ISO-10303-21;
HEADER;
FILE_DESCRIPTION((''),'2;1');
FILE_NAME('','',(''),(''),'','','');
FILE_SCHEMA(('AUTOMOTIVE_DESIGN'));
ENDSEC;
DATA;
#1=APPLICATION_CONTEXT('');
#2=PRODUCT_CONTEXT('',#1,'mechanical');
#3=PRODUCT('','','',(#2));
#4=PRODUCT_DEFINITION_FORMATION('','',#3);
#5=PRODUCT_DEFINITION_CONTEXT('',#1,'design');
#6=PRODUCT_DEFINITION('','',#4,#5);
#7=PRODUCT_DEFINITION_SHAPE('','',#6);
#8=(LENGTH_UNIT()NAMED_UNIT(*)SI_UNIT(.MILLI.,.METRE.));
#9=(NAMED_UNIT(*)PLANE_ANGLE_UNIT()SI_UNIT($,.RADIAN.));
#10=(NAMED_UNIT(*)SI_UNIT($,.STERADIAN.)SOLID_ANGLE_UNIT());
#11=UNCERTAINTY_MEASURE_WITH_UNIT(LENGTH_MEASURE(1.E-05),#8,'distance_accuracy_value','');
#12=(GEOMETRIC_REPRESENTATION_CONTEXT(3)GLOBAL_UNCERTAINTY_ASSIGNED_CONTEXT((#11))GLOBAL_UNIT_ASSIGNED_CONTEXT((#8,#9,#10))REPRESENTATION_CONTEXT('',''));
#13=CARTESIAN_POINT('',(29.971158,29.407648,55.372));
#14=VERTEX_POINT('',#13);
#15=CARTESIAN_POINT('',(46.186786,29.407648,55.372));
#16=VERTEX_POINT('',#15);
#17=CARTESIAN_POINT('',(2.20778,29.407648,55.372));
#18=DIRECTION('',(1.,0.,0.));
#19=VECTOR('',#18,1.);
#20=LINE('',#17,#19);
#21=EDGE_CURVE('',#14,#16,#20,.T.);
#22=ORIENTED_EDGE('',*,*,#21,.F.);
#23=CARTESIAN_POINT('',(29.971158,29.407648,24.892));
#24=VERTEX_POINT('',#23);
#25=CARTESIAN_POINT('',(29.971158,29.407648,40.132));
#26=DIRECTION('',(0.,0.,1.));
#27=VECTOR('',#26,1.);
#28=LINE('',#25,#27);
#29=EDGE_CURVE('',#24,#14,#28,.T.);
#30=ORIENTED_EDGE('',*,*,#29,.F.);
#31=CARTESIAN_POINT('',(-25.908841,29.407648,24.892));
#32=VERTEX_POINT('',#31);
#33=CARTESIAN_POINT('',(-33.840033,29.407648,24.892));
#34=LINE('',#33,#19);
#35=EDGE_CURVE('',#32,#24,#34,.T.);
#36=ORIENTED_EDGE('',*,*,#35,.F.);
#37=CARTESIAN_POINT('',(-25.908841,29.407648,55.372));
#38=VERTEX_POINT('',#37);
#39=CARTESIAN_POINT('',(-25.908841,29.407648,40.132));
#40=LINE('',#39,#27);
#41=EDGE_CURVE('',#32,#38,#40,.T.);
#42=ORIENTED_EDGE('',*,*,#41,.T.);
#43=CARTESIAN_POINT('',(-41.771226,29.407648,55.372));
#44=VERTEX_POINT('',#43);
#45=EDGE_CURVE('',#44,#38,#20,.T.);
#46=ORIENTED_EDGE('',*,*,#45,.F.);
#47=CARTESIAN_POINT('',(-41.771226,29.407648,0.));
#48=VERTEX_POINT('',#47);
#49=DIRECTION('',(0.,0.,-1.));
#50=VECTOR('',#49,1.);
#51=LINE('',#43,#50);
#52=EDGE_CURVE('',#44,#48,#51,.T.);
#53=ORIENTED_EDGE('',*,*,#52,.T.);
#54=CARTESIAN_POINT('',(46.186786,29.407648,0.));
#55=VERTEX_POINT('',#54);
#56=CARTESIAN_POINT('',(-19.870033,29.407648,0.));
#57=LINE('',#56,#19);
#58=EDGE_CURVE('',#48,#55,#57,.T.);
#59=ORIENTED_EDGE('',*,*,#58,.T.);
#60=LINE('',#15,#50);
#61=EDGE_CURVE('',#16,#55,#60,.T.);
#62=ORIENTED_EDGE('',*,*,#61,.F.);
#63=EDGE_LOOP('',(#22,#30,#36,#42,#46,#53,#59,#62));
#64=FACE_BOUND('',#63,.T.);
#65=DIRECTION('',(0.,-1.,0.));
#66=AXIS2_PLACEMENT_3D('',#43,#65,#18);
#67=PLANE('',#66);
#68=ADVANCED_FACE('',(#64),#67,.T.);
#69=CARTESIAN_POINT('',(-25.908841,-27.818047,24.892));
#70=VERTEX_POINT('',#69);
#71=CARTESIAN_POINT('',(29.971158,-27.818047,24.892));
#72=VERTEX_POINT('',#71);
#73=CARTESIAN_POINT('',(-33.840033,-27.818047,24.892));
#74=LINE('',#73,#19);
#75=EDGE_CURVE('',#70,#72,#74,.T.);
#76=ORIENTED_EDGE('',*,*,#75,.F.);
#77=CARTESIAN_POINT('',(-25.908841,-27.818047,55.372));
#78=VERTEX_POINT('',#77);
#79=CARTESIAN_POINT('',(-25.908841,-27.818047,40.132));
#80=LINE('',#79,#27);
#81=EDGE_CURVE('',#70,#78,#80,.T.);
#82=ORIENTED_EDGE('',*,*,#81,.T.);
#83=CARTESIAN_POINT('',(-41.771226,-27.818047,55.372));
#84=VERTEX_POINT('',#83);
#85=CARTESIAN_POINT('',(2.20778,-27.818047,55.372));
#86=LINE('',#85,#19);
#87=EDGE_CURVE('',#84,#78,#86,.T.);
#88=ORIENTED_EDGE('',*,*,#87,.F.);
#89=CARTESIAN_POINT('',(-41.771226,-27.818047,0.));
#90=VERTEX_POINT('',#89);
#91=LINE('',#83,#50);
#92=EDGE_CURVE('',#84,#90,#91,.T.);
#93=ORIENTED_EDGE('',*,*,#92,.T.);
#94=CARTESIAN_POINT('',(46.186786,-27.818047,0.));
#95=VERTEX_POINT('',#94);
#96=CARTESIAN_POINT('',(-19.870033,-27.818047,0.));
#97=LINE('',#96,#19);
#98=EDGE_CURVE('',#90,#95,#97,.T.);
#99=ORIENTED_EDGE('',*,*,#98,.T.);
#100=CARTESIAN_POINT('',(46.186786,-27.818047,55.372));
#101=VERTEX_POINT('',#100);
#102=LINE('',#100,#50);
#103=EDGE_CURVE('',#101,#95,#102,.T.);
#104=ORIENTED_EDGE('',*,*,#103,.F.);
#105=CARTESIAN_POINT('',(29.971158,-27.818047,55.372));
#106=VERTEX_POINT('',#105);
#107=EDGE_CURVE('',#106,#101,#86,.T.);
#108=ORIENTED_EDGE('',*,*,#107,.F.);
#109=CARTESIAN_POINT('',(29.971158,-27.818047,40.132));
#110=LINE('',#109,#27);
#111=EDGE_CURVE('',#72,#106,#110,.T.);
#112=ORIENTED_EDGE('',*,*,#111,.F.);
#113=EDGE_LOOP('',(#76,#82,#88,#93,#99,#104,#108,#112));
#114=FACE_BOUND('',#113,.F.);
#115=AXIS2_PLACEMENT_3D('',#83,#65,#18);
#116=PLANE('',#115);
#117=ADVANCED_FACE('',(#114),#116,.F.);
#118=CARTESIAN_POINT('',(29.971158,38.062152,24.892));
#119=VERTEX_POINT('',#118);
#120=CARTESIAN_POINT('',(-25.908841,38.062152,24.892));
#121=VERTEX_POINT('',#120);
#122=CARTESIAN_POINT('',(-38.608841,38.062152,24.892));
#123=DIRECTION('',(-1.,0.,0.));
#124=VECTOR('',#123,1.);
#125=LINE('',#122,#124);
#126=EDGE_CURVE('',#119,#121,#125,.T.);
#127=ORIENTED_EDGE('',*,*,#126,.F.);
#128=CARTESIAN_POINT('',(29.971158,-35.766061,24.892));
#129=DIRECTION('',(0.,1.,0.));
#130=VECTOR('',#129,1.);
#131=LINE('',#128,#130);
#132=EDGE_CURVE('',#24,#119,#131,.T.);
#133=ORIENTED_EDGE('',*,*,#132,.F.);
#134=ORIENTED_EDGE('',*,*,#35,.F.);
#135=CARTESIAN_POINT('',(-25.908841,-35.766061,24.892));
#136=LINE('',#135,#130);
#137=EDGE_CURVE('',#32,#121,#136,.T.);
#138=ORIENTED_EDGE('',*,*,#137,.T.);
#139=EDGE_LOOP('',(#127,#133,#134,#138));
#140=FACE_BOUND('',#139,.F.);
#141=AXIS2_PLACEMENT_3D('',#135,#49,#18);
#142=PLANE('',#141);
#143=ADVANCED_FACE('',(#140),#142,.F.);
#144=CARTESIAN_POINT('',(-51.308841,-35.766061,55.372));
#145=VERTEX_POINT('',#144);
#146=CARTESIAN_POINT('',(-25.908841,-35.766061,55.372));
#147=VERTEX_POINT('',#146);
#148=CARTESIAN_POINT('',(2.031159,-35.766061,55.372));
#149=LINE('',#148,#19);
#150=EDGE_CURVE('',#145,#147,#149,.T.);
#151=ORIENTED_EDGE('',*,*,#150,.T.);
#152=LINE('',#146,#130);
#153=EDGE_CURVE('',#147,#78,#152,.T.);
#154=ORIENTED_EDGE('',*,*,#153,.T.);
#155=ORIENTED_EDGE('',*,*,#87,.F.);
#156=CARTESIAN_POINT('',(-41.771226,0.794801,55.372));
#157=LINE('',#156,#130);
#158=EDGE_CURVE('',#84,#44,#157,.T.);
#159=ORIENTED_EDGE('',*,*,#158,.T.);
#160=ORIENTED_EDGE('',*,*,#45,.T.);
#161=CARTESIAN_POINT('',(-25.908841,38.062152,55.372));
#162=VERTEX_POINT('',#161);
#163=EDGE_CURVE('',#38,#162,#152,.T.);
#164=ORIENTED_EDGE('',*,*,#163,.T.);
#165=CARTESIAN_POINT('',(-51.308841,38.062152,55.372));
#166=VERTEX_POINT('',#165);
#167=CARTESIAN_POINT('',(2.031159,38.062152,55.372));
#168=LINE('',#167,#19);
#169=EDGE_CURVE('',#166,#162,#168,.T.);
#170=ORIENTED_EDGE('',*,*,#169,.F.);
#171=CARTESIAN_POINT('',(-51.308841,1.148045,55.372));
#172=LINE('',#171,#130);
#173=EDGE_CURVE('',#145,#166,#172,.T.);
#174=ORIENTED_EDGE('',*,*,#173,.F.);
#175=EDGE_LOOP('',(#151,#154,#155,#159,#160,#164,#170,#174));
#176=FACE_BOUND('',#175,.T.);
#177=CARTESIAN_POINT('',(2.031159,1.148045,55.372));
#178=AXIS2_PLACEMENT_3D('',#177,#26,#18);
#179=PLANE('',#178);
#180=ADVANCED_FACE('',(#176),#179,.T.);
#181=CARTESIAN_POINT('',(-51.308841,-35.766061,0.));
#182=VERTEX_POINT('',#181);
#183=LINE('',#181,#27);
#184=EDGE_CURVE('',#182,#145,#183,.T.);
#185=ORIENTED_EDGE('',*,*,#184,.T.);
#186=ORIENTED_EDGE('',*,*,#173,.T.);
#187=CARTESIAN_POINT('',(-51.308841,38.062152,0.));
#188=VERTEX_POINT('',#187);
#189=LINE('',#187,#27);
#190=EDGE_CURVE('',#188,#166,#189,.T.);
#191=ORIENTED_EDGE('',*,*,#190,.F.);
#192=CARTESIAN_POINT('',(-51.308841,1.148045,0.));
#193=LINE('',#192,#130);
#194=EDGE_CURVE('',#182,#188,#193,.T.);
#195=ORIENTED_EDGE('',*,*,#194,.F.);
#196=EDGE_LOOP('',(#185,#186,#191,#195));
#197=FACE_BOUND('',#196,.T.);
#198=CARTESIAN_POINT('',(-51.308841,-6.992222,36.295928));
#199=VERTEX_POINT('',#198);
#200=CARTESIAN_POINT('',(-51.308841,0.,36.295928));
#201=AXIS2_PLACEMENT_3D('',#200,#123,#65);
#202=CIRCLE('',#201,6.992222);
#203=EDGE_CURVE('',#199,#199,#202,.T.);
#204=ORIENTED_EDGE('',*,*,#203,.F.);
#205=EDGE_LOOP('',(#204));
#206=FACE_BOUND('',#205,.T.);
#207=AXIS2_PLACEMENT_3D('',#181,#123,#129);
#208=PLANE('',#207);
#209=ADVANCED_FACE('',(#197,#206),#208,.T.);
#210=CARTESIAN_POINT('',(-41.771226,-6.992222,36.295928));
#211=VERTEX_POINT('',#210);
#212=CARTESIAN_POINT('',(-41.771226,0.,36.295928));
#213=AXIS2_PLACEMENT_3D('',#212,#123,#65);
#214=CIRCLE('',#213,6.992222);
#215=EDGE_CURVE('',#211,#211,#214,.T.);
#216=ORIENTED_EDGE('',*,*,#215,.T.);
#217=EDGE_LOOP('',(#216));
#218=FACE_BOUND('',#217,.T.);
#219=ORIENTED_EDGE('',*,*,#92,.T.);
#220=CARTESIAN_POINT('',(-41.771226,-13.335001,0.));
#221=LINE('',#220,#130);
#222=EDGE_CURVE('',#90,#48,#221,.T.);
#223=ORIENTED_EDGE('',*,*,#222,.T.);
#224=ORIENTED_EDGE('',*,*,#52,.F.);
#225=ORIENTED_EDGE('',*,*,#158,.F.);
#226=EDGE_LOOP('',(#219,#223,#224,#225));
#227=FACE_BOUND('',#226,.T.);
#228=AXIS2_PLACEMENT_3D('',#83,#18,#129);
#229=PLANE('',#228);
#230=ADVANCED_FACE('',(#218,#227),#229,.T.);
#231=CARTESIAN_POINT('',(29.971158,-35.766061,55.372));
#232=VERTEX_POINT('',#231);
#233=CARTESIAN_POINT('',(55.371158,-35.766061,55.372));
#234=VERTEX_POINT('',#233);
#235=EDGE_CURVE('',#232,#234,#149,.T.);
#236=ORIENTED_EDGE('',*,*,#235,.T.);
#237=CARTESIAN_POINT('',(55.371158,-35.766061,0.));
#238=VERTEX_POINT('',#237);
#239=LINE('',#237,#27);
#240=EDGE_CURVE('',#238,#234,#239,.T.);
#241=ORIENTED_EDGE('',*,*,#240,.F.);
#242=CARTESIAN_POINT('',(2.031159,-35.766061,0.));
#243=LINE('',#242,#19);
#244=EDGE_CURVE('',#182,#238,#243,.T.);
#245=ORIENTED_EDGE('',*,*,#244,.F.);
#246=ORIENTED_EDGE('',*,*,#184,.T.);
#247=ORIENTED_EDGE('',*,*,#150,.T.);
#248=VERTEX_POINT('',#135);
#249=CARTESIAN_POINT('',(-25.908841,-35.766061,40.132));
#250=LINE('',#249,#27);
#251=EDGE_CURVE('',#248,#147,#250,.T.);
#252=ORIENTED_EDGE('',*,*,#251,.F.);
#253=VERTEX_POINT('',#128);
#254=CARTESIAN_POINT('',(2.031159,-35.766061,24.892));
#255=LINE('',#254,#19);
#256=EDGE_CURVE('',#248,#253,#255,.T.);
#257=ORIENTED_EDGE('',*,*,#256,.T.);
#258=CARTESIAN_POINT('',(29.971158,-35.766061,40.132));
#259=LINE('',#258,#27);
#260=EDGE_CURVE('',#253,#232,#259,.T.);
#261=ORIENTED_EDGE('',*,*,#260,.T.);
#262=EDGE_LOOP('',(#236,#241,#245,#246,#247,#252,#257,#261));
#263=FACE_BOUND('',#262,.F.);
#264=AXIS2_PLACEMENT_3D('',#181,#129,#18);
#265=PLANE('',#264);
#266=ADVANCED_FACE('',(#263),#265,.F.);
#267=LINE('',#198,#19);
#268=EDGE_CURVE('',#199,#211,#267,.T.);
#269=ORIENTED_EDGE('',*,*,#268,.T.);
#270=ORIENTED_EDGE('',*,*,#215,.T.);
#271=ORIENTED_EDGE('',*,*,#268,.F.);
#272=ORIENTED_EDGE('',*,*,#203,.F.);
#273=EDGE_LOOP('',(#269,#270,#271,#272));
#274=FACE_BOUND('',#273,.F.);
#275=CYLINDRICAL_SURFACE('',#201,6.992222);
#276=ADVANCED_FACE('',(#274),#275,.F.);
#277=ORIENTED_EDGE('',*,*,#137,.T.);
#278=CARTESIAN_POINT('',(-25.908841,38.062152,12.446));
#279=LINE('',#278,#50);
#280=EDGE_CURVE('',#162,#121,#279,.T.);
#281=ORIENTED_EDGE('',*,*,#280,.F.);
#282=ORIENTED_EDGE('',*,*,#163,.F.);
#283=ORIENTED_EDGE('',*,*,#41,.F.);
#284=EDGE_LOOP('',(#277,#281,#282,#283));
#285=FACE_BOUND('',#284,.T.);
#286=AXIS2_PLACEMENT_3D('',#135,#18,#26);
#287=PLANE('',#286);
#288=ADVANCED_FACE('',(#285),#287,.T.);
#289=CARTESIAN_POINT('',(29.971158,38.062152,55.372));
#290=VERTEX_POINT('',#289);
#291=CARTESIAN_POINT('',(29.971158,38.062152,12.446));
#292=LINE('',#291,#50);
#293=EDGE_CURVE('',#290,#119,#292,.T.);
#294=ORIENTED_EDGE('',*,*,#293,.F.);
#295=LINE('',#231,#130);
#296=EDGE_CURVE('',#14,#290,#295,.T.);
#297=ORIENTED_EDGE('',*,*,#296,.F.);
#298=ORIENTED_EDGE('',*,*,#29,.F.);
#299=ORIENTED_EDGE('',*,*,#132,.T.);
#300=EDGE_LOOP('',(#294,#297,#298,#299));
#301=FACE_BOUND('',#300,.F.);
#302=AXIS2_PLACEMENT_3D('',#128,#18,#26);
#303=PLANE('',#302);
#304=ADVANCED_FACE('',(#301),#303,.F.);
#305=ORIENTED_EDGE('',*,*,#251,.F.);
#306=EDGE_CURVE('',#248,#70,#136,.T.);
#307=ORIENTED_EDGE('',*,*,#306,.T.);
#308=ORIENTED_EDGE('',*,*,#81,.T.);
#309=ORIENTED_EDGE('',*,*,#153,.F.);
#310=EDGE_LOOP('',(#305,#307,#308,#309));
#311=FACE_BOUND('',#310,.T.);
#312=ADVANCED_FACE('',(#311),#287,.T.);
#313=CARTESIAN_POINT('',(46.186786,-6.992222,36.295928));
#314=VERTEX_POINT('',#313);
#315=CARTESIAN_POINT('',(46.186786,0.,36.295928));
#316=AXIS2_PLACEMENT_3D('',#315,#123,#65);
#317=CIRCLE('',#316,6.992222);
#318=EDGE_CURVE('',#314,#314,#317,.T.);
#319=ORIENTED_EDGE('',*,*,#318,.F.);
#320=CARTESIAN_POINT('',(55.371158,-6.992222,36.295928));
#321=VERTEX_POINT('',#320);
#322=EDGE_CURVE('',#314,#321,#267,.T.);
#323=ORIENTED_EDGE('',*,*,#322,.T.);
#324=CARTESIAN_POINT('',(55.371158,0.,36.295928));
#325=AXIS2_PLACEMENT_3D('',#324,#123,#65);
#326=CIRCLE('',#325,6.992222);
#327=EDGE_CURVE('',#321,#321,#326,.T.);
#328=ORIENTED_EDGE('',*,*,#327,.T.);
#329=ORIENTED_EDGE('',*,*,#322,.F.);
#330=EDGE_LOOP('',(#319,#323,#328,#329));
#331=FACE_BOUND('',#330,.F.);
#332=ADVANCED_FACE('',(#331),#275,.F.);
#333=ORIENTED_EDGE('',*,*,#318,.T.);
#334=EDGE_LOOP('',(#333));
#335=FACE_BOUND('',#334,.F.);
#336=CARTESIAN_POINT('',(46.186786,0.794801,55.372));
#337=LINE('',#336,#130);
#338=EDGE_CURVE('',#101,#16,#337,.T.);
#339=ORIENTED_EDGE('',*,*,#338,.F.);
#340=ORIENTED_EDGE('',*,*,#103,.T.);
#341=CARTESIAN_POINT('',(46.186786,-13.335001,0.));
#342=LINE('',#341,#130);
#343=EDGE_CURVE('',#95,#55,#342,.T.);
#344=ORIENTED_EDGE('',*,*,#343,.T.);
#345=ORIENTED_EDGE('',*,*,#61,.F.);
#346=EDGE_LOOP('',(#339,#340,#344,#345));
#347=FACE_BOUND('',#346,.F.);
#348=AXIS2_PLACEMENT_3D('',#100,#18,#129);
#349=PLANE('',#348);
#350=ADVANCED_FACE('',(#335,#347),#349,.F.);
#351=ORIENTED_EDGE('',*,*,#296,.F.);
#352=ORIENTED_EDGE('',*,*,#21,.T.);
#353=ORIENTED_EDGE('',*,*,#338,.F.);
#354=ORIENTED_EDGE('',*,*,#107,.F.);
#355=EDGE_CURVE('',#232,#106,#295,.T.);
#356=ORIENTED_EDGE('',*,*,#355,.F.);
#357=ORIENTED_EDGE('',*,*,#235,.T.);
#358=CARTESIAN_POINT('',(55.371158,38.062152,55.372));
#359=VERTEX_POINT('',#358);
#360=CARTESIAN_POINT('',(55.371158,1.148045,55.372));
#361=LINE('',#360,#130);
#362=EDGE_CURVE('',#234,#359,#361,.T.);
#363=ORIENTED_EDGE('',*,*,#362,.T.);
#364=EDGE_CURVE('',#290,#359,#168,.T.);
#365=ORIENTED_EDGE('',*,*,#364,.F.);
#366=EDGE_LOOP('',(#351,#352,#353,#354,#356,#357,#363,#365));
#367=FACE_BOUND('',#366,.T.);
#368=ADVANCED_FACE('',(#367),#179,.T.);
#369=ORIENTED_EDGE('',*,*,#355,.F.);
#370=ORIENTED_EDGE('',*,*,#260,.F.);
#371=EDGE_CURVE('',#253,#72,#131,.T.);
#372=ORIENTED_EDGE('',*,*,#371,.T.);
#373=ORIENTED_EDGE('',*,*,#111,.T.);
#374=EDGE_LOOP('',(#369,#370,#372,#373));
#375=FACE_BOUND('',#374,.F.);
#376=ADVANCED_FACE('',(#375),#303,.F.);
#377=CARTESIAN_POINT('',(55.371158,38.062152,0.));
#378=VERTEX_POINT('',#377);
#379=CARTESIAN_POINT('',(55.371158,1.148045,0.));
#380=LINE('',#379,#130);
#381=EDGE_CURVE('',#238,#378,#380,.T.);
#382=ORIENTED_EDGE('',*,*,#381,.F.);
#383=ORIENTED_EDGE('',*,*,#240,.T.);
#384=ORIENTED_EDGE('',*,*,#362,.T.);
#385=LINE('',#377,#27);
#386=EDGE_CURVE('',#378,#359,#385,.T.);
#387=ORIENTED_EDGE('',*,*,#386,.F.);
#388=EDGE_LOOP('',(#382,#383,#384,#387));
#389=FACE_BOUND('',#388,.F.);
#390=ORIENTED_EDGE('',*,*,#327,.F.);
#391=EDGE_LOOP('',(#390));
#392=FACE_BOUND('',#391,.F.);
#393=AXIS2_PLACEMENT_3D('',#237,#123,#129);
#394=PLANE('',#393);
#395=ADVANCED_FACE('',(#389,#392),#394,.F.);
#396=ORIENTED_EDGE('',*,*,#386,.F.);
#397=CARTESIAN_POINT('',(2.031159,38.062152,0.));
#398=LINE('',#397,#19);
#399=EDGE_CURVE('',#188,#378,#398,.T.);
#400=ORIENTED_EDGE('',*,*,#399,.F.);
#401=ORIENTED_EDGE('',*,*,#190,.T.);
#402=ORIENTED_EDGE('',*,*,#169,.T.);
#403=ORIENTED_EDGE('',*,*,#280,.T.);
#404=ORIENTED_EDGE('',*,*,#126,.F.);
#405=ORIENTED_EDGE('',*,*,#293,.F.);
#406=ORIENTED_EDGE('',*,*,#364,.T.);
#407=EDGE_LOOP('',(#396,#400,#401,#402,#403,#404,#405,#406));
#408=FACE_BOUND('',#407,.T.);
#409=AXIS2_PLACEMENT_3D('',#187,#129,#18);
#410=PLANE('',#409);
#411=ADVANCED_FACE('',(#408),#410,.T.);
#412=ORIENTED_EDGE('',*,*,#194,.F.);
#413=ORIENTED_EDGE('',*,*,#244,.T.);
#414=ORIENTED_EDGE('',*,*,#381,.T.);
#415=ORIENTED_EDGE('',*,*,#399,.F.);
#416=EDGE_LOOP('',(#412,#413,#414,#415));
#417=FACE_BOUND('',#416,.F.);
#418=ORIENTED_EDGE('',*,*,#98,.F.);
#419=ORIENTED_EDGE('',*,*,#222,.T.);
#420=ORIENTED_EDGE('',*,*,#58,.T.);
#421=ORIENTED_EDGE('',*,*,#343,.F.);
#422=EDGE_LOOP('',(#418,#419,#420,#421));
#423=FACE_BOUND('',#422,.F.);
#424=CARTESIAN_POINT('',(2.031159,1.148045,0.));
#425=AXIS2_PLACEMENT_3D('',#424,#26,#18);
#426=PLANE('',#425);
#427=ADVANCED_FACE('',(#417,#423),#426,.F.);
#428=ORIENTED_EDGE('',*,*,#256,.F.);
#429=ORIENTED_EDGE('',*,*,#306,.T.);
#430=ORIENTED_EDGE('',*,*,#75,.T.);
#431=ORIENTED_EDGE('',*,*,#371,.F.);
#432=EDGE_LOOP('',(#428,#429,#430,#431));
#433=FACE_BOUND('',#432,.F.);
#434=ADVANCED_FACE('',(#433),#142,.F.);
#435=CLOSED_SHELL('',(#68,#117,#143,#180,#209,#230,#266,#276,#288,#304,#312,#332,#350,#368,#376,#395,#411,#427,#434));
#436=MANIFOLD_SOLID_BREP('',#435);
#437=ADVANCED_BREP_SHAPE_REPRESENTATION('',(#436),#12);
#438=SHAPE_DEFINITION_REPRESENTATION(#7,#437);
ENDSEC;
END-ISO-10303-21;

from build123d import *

# Parameters (mm, degrees)
F0_W     = 106.6799983382
F0_H     = 73.8282129169
F1_DEPTH = 55.372
F2_W     = 87.9580117762
F2_H     = 57.2256948799
F3_DEPTH = 57.15
F4_W     = 55.8799983382
F4_H     = 30.48
F5_DEPTH = 75.438
F6_R     = 6.9922217865
F7_DEPTH = 111.252


with BuildPart() as f1:
    # F0 (on Top) → F1 (new body)
    with BuildSketch(Plane.XY):
        with Locations((2.0311586559, 1.148045063)):
            Rectangle(F0_W, F0_H)
    extrude(amount=F1_DEPTH)

    # F2 (on face) → F3 (cut)
    with BuildSketch(Plane.XY.offset(55.372)):
        with Locations((2.2077802569, 0.7948009297)):
            Rectangle(F2_W, F2_H)
    extrude(amount=-F3_DEPTH, mode=Mode.SUBTRACT)

    # F4 (on face) → F5 (cut)
    with BuildSketch(Plane.XZ.offset(35.7660613954)):
        with Locations((2.0311586559, 40.132)):
            Rectangle(F4_W, F4_H)
    extrude(amount=-F5_DEPTH, mode=Mode.SUBTRACT)

    # F6 (on face) → F7 (cut)
    with BuildSketch(Plane(origin=(-51.3088405132, 0, 0), x_dir=(0, -1, 0), z_dir=(-1, 0, 0))):
        with Locations((0, 36.295928061)):
            Circle(F6_R)
    extrude(amount=-F7_DEPTH, mode=Mode.SUBTRACT)


solid = f1.part
